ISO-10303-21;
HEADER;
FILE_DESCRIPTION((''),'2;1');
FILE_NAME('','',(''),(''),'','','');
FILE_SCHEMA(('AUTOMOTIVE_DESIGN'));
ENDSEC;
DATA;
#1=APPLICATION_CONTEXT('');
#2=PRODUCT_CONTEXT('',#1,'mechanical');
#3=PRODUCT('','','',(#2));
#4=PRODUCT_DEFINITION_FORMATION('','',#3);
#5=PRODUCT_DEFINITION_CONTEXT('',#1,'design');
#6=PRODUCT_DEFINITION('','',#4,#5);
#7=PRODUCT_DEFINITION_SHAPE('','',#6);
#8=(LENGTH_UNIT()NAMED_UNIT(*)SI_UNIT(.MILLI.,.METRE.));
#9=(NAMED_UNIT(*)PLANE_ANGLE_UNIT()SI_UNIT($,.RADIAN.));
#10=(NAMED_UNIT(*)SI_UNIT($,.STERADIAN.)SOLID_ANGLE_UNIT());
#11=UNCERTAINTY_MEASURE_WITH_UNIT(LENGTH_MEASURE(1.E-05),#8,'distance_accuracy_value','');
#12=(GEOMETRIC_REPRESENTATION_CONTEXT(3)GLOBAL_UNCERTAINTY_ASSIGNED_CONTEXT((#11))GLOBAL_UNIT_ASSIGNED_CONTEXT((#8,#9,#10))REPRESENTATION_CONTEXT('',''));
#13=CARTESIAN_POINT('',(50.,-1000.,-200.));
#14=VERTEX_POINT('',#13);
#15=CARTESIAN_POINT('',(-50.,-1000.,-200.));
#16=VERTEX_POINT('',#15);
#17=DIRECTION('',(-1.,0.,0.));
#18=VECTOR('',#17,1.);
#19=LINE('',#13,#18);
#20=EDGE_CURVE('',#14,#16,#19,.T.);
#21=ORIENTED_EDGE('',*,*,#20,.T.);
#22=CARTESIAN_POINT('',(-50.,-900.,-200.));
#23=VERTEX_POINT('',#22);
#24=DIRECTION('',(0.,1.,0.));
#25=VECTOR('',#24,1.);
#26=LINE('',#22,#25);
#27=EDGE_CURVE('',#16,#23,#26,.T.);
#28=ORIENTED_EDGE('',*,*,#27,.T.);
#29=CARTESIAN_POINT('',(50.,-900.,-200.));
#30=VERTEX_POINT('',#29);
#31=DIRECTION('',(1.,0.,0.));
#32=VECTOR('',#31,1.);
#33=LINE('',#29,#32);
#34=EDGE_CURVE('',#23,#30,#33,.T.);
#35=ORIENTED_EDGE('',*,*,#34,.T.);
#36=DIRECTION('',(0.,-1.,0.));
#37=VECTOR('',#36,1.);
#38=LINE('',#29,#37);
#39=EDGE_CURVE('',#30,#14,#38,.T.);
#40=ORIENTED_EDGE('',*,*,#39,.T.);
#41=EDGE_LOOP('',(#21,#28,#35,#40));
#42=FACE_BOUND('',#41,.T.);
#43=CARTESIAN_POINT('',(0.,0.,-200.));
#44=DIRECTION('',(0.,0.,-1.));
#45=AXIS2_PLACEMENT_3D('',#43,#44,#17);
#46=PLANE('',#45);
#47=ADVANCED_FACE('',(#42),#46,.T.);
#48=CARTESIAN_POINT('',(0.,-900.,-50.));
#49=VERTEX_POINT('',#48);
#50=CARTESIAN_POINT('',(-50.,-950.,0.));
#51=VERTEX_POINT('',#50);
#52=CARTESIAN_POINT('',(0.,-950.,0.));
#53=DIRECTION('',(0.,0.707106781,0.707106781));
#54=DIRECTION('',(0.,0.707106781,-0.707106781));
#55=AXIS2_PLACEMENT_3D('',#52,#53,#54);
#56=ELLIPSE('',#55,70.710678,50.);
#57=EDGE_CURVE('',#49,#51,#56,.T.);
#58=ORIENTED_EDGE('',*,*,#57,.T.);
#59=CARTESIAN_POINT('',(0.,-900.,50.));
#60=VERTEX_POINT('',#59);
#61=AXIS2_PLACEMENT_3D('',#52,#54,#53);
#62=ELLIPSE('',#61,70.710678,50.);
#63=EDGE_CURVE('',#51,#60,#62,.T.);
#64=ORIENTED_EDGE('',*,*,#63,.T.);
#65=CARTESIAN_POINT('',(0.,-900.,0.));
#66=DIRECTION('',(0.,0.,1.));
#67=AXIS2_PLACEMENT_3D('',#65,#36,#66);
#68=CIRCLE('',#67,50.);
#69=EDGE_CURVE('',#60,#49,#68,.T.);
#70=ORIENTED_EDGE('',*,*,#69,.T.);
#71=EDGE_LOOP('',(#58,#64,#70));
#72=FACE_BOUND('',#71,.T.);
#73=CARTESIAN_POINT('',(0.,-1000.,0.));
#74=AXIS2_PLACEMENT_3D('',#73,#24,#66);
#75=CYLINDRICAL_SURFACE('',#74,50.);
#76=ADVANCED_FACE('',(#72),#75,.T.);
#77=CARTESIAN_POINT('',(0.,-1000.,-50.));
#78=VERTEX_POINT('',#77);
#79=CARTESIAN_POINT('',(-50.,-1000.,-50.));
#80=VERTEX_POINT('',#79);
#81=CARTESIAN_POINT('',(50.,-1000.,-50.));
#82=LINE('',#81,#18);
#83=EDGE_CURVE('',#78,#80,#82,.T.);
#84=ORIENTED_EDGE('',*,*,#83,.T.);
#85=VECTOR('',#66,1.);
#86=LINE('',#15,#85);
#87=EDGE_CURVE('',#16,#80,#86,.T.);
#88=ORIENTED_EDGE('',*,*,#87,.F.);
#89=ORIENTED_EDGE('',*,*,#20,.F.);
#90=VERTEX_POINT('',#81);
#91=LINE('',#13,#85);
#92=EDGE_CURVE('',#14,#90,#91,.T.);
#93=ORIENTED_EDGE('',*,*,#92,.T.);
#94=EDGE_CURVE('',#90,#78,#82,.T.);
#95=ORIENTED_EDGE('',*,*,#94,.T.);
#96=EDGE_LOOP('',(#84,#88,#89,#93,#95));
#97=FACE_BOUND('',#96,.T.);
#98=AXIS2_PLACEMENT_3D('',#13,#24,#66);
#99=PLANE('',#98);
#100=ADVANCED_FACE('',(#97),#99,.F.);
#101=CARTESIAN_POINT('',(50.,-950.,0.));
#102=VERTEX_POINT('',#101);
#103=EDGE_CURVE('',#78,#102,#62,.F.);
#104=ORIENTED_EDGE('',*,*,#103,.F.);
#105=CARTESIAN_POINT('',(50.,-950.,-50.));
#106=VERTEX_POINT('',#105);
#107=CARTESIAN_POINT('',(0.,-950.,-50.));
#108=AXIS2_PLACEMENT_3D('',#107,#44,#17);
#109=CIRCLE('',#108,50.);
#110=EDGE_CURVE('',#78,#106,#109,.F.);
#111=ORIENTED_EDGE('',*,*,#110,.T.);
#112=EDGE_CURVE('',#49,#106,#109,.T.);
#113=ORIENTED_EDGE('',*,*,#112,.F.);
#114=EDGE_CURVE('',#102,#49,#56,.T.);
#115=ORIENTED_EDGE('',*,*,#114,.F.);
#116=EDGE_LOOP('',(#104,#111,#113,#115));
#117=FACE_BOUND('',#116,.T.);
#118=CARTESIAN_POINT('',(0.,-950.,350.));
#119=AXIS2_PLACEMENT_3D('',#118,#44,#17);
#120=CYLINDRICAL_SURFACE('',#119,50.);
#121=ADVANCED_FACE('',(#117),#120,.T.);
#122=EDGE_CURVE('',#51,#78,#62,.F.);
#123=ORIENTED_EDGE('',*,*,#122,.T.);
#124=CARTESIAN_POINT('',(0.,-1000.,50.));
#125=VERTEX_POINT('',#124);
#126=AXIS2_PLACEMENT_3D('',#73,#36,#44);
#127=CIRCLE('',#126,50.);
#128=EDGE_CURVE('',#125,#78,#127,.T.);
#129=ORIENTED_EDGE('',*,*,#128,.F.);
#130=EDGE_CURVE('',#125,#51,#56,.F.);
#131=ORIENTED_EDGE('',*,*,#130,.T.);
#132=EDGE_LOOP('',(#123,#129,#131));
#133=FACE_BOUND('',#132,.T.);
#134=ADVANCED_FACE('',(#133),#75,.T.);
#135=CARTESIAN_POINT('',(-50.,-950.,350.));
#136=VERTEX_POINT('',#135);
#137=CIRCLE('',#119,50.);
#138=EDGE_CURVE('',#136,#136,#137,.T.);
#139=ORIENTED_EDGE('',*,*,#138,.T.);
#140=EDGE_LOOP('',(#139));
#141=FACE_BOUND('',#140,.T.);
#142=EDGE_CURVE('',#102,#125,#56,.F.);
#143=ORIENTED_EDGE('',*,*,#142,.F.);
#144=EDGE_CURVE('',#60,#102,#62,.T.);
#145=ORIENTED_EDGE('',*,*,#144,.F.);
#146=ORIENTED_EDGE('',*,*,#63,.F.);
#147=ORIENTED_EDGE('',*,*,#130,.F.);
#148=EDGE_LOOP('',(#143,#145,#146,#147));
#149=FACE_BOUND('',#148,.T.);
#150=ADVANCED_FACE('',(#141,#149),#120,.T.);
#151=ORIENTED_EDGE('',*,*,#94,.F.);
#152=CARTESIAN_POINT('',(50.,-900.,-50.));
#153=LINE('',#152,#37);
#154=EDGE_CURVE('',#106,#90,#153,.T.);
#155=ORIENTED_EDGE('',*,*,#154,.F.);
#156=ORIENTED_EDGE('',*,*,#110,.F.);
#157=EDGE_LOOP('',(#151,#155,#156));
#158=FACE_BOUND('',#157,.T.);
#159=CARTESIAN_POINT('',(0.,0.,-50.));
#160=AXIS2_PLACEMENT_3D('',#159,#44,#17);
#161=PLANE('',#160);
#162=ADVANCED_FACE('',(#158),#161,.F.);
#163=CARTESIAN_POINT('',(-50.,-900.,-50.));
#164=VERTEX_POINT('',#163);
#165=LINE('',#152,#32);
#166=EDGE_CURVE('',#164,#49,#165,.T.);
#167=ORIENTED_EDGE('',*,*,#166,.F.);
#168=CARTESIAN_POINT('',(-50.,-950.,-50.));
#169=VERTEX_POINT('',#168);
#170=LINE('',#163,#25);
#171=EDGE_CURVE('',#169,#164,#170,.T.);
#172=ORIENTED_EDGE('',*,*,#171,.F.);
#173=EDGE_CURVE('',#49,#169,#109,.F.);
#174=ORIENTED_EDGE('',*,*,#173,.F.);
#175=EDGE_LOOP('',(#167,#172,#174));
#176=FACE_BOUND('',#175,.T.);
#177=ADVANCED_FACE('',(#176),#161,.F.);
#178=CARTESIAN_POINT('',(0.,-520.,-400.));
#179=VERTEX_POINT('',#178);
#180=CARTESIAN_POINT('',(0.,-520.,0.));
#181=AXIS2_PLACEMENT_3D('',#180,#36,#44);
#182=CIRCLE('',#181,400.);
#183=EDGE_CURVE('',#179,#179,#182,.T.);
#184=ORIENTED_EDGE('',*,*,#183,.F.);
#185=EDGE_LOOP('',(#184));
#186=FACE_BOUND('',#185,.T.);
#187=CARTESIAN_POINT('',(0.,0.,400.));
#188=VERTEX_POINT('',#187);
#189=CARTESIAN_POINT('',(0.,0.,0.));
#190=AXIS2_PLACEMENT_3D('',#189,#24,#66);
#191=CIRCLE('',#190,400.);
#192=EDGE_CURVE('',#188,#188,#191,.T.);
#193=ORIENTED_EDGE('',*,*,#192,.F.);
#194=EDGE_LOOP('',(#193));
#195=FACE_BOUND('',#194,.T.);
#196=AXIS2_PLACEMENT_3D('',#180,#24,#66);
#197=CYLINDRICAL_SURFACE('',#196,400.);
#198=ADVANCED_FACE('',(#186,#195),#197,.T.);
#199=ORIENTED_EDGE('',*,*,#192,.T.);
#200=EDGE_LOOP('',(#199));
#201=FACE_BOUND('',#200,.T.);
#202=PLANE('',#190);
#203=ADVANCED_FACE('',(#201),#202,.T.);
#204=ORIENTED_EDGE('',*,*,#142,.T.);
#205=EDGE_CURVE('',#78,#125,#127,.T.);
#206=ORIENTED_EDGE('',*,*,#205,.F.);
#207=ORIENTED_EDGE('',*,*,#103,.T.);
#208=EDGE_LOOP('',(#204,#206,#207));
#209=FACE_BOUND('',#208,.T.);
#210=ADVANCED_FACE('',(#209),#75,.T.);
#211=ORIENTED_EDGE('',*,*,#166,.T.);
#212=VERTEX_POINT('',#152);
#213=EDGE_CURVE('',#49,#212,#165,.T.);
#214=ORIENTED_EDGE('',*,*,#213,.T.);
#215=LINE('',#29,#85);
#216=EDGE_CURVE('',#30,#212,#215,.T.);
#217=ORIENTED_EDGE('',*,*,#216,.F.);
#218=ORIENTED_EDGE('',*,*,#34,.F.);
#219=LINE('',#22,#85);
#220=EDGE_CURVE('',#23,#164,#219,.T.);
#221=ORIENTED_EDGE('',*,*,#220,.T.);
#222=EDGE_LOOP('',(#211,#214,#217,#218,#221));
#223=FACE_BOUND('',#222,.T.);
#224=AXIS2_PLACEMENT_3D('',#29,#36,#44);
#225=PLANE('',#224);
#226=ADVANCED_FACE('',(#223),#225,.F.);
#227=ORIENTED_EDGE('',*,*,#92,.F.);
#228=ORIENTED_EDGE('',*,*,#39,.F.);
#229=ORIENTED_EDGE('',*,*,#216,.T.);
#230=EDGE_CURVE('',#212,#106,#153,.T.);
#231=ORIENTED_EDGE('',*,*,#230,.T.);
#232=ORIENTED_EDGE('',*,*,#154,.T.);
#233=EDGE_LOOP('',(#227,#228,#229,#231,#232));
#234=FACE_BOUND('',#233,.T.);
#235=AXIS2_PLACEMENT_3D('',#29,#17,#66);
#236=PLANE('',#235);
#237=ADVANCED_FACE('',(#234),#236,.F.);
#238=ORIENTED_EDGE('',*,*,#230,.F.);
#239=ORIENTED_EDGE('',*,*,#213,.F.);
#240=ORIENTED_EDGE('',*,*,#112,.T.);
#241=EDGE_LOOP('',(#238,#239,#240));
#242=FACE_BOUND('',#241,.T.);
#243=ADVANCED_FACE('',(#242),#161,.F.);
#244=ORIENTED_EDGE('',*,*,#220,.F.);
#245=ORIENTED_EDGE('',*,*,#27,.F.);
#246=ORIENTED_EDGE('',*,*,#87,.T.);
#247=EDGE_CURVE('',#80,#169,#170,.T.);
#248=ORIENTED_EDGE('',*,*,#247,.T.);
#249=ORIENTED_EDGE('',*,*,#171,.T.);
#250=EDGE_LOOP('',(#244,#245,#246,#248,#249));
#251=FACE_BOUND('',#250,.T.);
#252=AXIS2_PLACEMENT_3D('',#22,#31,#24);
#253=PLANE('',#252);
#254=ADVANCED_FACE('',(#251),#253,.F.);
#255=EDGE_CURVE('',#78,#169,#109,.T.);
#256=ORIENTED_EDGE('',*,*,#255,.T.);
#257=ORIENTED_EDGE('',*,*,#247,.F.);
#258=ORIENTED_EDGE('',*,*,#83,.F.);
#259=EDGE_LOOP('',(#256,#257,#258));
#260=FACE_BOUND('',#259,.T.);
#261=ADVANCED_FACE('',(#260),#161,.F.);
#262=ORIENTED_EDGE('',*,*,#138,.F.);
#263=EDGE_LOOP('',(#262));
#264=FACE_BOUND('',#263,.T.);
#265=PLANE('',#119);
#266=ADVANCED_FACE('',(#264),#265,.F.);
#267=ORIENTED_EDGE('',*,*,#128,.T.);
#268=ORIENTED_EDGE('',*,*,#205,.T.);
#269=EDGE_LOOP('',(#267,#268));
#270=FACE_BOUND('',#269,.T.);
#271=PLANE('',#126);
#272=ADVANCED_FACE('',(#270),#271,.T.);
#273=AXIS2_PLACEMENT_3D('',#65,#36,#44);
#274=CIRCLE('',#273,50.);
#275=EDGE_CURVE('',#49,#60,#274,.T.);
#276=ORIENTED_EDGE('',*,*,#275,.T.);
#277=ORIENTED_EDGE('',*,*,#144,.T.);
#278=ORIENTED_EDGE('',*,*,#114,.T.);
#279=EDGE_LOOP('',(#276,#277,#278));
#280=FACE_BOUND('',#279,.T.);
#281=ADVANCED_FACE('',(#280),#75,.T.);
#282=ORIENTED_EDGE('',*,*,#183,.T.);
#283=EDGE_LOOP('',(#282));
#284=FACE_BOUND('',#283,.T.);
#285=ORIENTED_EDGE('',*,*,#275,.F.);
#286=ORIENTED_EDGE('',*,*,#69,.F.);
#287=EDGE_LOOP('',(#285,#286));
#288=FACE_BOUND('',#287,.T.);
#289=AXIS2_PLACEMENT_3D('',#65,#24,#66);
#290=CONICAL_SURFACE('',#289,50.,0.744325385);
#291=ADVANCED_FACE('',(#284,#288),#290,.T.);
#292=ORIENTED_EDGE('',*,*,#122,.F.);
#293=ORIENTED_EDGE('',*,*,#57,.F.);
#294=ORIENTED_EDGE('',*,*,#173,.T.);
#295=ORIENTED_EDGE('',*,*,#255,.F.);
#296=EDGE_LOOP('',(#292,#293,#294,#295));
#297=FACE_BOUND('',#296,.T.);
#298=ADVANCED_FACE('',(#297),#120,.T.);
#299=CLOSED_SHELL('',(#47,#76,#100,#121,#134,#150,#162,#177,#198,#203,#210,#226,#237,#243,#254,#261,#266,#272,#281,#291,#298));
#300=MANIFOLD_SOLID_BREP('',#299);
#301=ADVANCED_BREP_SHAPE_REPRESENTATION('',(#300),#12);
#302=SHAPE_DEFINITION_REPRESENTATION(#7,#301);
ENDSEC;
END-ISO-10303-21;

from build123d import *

# Parameters (mm, degrees)
CROQUIS1_R              = 400
SALIENTE_EXTRUIR1_DEPTH = 520
CROQUIS3_R              = 50
CROQUIS2_R              = 400
CROQUIS4_R              = 50
SALIENTE_EXTRUIR2_DEPTH = 100
CROQUIS5_R              = 50
SALIENTE_EXTRUIR3_DEPTH = 400
CROQUIS6_W              = 100
CROQUIS6_H              = 100
SALIENTE_EXTRUIR4_DEPTH = 150


with BuildPart() as part:
    # Croquis1 → Saliente-Extruir1 (new body)
    with BuildSketch(Plane(origin=(0, 0, 0), x_dir=(1, 0, 0), z_dir=(0, 1, 0))):
        with Locations(Location((0, 0, 0), (0, 0, 270))):
            Circle(CROQUIS1_R)
    extrude(amount=-SALIENTE_EXTRUIR1_DEPTH)

    # Croquis3 → Recubrir1 section 0
    with BuildSketch(Plane(origin=(0, -900, 0), x_dir=(1, 0, 0), z_dir=(0, 1, 0))):
        Circle(CROQUIS3_R)
    # Croquis2 → Recubrir1 section 1
    with BuildSketch(Plane.XZ.offset(520)):
        Circle(CROQUIS2_R)
    loft()

    # Croquis4 → Saliente-Extruir2 (add)
    with BuildSketch(Plane.XZ.offset(900)):
        with Locations(Location((0, 0, 0), (0, 0, 270))):
            Circle(CROQUIS4_R)
    extrude(amount=SALIENTE_EXTRUIR2_DEPTH)

    # Croquis5 → Saliente-Extruir3 (add)
    with BuildSketch(Plane(origin=(0, 0, -50), x_dir=(-1, 0, 0), z_dir=(0, 0, -1))):
        with Locations((0, -950)):
            Circle(CROQUIS5_R)
    extrude(amount=-SALIENTE_EXTRUIR3_DEPTH)

    # Croquis6 → Saliente-Extruir4 (add)
    with BuildSketch(Plane(origin=(0, 0, -50), x_dir=(-1, 0, 0), z_dir=(0, 0, -1))):
        with Locations((0, -950)):
            Rectangle(CROQUIS6_W, CROQUIS6_H)
    extrude(amount=SALIENTE_EXTRUIR4_DEPTH)


solid = part.part
